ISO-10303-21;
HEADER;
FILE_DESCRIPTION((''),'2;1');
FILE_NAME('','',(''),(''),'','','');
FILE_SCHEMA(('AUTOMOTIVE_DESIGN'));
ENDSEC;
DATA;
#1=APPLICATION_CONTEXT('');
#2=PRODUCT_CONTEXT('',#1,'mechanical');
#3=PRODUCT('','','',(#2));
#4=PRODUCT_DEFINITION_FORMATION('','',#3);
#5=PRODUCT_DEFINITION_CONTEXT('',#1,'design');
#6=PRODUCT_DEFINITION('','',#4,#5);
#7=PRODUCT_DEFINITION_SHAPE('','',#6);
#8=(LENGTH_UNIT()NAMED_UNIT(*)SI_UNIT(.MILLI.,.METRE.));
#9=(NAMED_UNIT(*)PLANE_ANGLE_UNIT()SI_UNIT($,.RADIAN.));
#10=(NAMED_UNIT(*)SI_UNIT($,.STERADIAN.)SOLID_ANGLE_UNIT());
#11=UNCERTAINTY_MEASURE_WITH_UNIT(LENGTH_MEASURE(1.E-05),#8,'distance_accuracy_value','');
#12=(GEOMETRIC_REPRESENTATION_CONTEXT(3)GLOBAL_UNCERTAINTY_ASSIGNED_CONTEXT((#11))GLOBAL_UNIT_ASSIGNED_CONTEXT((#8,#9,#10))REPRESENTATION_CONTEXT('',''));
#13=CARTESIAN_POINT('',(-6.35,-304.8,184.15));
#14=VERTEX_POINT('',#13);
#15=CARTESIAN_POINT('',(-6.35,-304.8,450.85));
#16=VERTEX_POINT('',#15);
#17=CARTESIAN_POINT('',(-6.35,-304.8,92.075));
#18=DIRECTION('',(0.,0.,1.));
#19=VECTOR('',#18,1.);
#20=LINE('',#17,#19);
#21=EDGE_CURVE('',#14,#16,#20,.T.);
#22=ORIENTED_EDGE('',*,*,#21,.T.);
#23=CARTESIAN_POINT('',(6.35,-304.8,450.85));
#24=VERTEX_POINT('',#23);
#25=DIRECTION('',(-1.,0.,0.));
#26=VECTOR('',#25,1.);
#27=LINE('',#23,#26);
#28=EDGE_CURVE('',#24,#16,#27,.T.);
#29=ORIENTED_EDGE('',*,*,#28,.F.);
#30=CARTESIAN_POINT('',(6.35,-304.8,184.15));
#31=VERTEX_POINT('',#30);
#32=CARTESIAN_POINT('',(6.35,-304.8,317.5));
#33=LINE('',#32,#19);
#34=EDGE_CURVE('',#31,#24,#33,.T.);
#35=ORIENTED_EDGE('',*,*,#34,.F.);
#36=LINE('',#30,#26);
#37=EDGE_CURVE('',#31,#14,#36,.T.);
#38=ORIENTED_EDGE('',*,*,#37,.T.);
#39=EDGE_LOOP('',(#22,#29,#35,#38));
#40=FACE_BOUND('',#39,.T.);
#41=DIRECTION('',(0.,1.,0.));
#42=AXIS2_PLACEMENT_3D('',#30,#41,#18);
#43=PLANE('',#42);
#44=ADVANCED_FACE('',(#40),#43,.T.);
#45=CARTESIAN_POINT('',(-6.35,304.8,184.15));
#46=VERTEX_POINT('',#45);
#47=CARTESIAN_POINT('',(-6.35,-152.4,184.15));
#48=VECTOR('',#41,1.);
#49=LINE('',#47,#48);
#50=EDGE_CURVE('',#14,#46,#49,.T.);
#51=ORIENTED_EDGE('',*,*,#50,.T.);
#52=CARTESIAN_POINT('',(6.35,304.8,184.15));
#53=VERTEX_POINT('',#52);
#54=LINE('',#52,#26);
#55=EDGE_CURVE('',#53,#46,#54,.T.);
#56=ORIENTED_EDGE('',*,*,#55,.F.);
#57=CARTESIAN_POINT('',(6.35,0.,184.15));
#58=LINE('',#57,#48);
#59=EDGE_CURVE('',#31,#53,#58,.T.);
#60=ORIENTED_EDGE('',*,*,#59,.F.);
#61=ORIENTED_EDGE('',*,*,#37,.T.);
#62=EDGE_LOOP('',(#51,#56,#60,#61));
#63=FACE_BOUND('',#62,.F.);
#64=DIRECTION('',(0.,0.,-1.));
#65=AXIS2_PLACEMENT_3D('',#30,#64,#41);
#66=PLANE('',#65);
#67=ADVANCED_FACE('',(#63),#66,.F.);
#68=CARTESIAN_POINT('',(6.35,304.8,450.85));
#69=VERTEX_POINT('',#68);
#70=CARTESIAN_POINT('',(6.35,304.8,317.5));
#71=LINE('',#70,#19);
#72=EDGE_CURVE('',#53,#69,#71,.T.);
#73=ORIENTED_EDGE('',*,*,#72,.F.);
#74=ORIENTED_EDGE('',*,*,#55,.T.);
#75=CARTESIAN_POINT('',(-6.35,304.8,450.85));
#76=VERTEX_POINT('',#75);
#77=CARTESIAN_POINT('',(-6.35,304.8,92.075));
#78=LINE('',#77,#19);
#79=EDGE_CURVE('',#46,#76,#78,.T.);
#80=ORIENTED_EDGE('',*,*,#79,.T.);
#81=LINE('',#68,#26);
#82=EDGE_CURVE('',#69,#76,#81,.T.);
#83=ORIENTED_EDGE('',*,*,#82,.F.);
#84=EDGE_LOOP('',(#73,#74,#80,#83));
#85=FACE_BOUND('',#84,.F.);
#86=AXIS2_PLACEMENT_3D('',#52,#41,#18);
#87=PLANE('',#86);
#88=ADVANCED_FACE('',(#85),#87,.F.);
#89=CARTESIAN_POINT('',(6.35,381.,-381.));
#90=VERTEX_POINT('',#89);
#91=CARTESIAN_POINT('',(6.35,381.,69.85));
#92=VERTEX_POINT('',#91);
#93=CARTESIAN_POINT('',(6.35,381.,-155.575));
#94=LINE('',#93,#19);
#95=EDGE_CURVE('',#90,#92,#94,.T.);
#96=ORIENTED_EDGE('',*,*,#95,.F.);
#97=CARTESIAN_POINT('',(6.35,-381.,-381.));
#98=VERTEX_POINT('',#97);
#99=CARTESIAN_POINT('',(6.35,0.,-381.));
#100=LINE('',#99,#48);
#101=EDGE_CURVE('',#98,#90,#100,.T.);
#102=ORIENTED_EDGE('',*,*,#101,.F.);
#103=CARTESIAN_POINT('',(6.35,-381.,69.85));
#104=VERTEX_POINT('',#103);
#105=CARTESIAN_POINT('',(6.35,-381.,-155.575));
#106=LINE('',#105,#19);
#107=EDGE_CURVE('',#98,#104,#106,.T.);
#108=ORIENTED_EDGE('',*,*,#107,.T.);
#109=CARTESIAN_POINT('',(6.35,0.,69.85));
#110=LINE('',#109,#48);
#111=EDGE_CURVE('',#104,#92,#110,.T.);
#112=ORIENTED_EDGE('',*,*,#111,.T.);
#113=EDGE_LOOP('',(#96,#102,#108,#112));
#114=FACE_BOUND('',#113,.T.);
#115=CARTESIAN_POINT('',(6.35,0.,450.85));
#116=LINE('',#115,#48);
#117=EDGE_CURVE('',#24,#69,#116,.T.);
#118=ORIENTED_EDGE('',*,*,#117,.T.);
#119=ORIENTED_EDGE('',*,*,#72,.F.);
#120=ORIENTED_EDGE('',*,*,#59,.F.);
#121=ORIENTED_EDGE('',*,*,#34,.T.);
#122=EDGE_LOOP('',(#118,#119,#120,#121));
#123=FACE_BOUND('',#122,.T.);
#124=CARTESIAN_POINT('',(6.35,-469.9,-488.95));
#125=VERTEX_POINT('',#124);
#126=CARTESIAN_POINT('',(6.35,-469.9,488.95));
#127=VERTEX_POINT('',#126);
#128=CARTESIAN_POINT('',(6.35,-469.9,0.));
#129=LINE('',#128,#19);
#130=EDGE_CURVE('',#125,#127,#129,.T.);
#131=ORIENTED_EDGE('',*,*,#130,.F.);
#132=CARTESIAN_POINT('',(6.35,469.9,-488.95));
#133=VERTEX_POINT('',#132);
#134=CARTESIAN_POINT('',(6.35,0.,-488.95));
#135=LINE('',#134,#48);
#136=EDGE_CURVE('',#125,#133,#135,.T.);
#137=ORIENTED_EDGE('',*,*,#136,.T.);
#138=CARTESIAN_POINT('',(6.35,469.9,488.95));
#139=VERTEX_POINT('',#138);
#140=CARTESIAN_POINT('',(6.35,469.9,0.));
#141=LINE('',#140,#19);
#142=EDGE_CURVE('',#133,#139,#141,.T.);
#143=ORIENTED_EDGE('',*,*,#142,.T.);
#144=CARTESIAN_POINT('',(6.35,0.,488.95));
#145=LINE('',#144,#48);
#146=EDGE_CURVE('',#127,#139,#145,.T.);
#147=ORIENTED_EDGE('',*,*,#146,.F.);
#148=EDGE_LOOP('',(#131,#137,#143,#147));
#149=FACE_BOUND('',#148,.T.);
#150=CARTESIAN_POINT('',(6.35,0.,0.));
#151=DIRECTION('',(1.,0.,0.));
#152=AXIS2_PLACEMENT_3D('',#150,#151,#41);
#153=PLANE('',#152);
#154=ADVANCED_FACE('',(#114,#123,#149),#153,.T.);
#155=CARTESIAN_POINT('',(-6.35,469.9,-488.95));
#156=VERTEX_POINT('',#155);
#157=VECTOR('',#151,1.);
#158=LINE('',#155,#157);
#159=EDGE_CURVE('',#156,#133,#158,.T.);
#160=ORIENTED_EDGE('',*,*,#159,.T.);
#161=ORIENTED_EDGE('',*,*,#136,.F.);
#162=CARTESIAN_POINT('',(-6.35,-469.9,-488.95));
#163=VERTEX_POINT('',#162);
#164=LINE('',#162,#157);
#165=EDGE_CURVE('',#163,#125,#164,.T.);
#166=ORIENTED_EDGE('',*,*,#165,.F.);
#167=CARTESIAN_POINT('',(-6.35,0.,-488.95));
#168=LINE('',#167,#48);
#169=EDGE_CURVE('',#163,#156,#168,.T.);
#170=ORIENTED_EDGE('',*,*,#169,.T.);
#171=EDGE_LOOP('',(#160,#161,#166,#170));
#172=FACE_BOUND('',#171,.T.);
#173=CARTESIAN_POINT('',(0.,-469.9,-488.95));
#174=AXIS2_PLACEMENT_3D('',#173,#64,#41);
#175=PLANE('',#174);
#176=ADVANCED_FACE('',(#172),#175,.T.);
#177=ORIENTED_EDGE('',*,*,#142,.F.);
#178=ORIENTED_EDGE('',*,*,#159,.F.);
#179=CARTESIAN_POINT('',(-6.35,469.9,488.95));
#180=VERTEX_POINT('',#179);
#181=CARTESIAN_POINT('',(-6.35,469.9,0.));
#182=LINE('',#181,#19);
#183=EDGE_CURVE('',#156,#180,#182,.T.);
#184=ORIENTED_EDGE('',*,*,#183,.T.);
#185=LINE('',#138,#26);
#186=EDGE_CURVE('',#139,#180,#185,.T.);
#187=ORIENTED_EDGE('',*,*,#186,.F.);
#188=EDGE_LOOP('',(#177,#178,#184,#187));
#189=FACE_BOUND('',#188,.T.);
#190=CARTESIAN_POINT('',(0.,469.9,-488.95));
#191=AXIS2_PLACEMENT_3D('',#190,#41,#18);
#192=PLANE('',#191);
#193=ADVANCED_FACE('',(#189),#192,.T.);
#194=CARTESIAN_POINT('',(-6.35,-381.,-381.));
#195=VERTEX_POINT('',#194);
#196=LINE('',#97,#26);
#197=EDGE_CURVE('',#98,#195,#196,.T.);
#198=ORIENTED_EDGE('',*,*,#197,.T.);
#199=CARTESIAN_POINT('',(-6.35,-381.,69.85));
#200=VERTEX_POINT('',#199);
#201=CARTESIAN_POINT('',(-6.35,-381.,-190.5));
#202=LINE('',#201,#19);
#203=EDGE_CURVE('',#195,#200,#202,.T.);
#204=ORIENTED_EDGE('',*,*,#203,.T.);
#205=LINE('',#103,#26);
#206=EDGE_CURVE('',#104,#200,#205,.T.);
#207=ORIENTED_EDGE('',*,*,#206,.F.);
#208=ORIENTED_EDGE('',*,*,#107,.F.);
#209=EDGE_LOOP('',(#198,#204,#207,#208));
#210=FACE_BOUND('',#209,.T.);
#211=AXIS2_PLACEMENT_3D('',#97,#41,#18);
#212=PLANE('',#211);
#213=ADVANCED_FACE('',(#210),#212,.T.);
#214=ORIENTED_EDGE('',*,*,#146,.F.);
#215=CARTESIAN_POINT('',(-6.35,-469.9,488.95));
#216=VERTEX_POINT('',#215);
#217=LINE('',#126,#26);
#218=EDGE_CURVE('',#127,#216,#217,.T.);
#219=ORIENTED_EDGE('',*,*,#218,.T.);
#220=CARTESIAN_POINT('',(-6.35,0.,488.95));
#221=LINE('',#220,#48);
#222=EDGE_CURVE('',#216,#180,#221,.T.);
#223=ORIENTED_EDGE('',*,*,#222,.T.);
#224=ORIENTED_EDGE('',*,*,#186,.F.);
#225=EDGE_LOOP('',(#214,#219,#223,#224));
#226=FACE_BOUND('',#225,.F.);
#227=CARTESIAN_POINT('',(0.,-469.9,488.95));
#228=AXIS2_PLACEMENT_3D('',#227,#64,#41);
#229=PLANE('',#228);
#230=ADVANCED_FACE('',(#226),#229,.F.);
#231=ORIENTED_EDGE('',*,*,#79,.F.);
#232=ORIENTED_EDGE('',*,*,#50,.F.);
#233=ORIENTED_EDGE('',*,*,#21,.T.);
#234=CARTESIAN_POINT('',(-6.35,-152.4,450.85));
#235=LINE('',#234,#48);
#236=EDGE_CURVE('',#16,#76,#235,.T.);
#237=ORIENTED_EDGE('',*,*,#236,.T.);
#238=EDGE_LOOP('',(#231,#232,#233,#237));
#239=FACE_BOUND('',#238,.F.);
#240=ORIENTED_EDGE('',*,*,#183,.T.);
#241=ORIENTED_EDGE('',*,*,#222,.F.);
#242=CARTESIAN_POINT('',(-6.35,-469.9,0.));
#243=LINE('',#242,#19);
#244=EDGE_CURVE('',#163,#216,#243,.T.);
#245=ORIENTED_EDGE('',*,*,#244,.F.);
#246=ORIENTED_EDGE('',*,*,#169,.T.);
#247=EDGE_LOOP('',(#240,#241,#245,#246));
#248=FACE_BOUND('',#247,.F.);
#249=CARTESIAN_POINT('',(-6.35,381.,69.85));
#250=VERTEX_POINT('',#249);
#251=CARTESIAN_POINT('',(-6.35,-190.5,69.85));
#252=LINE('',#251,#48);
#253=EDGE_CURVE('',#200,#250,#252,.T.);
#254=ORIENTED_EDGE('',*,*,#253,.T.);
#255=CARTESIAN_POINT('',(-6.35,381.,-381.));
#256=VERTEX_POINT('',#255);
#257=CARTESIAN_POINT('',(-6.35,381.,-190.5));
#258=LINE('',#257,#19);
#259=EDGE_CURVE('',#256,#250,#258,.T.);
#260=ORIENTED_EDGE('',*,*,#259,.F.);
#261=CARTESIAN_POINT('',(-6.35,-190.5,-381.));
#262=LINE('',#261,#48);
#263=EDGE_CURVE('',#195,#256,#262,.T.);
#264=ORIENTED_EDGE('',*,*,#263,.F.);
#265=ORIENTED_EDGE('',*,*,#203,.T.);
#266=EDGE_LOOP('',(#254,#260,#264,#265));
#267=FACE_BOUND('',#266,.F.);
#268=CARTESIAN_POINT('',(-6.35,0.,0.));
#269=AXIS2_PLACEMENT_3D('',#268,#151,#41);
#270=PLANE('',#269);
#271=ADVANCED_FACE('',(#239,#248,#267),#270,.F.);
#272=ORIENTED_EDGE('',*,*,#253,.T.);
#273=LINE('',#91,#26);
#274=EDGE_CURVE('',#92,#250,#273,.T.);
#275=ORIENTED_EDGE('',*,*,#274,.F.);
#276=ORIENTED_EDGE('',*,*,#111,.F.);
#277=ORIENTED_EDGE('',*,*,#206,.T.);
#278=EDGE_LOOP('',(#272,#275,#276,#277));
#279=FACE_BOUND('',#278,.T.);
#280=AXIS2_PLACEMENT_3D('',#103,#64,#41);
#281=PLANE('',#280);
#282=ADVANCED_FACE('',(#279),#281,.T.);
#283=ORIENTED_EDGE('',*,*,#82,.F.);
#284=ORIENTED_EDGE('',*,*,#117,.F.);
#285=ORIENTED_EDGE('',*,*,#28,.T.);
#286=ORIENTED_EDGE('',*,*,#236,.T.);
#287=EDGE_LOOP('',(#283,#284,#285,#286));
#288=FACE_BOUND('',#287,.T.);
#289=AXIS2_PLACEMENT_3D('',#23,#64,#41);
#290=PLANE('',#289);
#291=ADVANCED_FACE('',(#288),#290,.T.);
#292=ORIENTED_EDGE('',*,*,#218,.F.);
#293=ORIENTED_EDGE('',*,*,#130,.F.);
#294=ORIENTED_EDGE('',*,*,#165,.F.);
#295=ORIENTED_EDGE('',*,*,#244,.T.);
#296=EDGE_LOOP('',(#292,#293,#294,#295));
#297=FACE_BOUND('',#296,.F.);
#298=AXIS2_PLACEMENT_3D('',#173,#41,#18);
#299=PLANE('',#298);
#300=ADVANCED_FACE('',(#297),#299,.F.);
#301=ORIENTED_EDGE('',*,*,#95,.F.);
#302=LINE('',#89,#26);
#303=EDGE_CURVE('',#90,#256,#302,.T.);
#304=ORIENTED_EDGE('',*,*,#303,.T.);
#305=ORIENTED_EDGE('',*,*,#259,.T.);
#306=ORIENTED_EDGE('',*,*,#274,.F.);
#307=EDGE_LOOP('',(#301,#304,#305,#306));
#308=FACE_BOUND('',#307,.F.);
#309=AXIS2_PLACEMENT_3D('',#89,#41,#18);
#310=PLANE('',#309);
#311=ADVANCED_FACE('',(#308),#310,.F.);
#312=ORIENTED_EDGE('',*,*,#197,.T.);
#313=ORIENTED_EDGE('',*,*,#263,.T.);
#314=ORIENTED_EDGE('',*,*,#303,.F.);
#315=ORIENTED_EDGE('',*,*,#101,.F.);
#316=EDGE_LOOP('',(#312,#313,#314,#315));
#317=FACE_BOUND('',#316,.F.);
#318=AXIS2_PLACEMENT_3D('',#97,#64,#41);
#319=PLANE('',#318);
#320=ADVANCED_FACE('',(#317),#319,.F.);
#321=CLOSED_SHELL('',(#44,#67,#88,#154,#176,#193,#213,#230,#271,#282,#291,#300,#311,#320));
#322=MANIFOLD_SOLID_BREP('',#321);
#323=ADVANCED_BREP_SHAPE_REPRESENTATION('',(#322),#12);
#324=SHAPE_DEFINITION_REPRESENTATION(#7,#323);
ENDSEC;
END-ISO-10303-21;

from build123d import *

# Parameters (mm, degrees)
F0_W     = 939.8
F0_H     = 977.9
F1_DEPTH = 6.35
F2_W     = 762
F2_H     = 450.85
F2_W_2   = 609.6
F2_H_2   = 266.7
F3_DEPTH = 12.701


with BuildPart() as f1:
    # F0 (on Right) → F1 (new body, symmetric)
    with BuildSketch(Plane.YZ):
        Rectangle(F0_W, F0_H)
    extrude(amount=F1_DEPTH, both=True)

    # F2 (on face) → F3 (cut, through all)
    with BuildSketch(Plane.YZ.offset(6.35)):
        with Locations((0, -155.575)):
            Rectangle(F2_W, F2_H)
        with Locations((0, 317.5)):
            Rectangle(F2_W_2, F2_H_2)
    extrude(amount=-F3_DEPTH, mode=Mode.SUBTRACT)


solid = f1.part
